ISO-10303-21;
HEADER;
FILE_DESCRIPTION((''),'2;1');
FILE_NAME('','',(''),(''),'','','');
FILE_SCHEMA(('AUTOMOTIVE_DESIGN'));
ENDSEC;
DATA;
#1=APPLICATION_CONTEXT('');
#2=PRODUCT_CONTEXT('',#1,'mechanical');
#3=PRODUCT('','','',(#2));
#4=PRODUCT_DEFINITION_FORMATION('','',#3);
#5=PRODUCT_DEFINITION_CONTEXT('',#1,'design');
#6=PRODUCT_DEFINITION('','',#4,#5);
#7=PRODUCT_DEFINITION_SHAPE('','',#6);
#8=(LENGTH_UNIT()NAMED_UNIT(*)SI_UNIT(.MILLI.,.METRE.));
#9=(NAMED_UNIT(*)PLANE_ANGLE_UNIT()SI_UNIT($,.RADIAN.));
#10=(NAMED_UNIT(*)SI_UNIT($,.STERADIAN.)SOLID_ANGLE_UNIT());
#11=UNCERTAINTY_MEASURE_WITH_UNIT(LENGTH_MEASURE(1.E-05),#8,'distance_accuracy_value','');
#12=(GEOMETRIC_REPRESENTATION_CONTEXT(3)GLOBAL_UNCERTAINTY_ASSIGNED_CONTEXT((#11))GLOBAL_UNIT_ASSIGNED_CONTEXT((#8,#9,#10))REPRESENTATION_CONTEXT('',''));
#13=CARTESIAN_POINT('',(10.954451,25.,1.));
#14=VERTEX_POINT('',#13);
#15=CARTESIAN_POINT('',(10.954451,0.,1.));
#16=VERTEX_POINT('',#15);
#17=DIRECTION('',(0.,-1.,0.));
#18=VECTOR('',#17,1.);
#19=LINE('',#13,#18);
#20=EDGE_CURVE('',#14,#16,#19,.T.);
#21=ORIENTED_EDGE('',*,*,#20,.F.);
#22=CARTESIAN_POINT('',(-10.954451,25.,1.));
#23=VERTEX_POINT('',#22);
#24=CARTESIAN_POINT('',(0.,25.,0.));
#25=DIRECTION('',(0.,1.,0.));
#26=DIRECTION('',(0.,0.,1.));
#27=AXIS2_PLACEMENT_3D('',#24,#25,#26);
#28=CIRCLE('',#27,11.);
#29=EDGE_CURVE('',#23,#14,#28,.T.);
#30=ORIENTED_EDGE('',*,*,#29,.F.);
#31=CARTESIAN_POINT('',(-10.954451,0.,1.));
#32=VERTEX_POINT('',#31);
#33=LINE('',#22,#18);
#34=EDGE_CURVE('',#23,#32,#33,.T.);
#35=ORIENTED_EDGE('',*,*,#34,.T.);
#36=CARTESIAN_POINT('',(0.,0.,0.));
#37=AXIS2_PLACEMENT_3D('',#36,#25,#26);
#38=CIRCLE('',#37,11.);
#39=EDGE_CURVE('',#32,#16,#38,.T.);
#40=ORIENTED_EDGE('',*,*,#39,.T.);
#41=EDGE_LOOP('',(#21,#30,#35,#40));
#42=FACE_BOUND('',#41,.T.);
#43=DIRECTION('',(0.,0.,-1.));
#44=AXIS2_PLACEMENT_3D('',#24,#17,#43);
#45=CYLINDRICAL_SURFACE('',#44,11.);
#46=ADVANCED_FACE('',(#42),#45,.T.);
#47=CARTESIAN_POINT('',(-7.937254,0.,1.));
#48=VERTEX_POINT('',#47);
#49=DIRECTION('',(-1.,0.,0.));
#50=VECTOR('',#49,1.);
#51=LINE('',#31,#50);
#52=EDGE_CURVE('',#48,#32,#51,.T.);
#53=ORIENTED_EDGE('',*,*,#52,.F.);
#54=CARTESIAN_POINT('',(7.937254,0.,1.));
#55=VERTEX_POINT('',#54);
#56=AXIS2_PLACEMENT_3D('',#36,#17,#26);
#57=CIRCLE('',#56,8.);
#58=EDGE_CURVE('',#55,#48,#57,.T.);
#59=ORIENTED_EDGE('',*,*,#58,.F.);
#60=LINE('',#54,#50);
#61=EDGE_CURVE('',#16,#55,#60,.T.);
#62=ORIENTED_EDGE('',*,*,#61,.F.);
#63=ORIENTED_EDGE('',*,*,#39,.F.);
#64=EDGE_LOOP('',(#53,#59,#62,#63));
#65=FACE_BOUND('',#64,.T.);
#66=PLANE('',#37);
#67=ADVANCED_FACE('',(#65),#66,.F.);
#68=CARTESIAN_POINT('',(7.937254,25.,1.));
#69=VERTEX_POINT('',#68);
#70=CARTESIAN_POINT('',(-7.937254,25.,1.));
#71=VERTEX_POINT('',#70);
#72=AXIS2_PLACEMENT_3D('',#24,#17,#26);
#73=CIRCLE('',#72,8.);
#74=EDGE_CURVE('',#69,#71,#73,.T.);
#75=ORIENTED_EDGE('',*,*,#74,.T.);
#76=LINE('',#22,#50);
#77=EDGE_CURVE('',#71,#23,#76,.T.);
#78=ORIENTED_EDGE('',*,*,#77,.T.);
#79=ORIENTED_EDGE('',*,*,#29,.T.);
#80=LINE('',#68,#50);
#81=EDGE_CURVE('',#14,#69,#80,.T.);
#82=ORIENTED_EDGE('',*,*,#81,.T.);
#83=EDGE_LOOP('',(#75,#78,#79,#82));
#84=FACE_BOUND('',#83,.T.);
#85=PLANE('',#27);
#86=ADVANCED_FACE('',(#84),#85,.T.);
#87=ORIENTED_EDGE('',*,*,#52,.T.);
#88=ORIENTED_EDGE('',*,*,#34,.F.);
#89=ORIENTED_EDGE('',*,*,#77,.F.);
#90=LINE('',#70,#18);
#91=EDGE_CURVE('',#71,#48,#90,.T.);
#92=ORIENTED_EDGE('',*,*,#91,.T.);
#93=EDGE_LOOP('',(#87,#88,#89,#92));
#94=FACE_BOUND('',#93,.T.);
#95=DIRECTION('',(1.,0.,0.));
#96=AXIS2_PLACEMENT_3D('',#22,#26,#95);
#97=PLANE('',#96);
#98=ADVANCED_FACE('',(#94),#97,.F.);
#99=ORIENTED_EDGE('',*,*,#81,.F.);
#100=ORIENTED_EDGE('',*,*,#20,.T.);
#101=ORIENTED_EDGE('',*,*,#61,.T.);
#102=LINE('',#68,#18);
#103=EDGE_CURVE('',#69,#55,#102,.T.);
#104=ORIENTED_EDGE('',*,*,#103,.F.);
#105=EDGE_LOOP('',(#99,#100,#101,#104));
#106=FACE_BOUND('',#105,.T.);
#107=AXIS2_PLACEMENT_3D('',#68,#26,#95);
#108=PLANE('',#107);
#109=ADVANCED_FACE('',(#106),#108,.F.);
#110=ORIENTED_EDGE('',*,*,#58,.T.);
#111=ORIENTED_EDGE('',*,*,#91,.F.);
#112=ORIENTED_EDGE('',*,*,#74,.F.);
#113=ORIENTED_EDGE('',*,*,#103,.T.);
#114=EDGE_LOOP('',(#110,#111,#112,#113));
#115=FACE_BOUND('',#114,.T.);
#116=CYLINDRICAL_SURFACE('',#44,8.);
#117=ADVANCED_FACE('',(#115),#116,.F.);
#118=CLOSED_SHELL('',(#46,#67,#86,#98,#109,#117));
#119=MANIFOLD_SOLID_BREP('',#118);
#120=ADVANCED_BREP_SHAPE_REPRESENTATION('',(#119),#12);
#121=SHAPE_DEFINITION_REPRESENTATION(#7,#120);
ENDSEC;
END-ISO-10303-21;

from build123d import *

# Parameters (mm, degrees)
BOSS_EXTRUDE1_DEPTH = 25


with BuildPart() as part:
    # Sketch1 → Boss-Extrude1 (new body)
    with BuildSketch(Plane(origin=(0, 0, 0), x_dir=(1, 0, 0), z_dir=(0, 1, 0))):
        with BuildLine():
            Line((-10.95445115, -1), (-7.937253933, -1))
            ThreePointArc((-7.937253933, -1), (0, -8), (7.937253933, -1))
            Line((7.937253933, -1), (10.95445115, -1))
            ThreePointArc((10.95445115, -1), (0, -11), (-10.95445115, -1))
        make_face()
    extrude(amount=BOSS_EXTRUDE1_DEPTH)


solid = part.part
